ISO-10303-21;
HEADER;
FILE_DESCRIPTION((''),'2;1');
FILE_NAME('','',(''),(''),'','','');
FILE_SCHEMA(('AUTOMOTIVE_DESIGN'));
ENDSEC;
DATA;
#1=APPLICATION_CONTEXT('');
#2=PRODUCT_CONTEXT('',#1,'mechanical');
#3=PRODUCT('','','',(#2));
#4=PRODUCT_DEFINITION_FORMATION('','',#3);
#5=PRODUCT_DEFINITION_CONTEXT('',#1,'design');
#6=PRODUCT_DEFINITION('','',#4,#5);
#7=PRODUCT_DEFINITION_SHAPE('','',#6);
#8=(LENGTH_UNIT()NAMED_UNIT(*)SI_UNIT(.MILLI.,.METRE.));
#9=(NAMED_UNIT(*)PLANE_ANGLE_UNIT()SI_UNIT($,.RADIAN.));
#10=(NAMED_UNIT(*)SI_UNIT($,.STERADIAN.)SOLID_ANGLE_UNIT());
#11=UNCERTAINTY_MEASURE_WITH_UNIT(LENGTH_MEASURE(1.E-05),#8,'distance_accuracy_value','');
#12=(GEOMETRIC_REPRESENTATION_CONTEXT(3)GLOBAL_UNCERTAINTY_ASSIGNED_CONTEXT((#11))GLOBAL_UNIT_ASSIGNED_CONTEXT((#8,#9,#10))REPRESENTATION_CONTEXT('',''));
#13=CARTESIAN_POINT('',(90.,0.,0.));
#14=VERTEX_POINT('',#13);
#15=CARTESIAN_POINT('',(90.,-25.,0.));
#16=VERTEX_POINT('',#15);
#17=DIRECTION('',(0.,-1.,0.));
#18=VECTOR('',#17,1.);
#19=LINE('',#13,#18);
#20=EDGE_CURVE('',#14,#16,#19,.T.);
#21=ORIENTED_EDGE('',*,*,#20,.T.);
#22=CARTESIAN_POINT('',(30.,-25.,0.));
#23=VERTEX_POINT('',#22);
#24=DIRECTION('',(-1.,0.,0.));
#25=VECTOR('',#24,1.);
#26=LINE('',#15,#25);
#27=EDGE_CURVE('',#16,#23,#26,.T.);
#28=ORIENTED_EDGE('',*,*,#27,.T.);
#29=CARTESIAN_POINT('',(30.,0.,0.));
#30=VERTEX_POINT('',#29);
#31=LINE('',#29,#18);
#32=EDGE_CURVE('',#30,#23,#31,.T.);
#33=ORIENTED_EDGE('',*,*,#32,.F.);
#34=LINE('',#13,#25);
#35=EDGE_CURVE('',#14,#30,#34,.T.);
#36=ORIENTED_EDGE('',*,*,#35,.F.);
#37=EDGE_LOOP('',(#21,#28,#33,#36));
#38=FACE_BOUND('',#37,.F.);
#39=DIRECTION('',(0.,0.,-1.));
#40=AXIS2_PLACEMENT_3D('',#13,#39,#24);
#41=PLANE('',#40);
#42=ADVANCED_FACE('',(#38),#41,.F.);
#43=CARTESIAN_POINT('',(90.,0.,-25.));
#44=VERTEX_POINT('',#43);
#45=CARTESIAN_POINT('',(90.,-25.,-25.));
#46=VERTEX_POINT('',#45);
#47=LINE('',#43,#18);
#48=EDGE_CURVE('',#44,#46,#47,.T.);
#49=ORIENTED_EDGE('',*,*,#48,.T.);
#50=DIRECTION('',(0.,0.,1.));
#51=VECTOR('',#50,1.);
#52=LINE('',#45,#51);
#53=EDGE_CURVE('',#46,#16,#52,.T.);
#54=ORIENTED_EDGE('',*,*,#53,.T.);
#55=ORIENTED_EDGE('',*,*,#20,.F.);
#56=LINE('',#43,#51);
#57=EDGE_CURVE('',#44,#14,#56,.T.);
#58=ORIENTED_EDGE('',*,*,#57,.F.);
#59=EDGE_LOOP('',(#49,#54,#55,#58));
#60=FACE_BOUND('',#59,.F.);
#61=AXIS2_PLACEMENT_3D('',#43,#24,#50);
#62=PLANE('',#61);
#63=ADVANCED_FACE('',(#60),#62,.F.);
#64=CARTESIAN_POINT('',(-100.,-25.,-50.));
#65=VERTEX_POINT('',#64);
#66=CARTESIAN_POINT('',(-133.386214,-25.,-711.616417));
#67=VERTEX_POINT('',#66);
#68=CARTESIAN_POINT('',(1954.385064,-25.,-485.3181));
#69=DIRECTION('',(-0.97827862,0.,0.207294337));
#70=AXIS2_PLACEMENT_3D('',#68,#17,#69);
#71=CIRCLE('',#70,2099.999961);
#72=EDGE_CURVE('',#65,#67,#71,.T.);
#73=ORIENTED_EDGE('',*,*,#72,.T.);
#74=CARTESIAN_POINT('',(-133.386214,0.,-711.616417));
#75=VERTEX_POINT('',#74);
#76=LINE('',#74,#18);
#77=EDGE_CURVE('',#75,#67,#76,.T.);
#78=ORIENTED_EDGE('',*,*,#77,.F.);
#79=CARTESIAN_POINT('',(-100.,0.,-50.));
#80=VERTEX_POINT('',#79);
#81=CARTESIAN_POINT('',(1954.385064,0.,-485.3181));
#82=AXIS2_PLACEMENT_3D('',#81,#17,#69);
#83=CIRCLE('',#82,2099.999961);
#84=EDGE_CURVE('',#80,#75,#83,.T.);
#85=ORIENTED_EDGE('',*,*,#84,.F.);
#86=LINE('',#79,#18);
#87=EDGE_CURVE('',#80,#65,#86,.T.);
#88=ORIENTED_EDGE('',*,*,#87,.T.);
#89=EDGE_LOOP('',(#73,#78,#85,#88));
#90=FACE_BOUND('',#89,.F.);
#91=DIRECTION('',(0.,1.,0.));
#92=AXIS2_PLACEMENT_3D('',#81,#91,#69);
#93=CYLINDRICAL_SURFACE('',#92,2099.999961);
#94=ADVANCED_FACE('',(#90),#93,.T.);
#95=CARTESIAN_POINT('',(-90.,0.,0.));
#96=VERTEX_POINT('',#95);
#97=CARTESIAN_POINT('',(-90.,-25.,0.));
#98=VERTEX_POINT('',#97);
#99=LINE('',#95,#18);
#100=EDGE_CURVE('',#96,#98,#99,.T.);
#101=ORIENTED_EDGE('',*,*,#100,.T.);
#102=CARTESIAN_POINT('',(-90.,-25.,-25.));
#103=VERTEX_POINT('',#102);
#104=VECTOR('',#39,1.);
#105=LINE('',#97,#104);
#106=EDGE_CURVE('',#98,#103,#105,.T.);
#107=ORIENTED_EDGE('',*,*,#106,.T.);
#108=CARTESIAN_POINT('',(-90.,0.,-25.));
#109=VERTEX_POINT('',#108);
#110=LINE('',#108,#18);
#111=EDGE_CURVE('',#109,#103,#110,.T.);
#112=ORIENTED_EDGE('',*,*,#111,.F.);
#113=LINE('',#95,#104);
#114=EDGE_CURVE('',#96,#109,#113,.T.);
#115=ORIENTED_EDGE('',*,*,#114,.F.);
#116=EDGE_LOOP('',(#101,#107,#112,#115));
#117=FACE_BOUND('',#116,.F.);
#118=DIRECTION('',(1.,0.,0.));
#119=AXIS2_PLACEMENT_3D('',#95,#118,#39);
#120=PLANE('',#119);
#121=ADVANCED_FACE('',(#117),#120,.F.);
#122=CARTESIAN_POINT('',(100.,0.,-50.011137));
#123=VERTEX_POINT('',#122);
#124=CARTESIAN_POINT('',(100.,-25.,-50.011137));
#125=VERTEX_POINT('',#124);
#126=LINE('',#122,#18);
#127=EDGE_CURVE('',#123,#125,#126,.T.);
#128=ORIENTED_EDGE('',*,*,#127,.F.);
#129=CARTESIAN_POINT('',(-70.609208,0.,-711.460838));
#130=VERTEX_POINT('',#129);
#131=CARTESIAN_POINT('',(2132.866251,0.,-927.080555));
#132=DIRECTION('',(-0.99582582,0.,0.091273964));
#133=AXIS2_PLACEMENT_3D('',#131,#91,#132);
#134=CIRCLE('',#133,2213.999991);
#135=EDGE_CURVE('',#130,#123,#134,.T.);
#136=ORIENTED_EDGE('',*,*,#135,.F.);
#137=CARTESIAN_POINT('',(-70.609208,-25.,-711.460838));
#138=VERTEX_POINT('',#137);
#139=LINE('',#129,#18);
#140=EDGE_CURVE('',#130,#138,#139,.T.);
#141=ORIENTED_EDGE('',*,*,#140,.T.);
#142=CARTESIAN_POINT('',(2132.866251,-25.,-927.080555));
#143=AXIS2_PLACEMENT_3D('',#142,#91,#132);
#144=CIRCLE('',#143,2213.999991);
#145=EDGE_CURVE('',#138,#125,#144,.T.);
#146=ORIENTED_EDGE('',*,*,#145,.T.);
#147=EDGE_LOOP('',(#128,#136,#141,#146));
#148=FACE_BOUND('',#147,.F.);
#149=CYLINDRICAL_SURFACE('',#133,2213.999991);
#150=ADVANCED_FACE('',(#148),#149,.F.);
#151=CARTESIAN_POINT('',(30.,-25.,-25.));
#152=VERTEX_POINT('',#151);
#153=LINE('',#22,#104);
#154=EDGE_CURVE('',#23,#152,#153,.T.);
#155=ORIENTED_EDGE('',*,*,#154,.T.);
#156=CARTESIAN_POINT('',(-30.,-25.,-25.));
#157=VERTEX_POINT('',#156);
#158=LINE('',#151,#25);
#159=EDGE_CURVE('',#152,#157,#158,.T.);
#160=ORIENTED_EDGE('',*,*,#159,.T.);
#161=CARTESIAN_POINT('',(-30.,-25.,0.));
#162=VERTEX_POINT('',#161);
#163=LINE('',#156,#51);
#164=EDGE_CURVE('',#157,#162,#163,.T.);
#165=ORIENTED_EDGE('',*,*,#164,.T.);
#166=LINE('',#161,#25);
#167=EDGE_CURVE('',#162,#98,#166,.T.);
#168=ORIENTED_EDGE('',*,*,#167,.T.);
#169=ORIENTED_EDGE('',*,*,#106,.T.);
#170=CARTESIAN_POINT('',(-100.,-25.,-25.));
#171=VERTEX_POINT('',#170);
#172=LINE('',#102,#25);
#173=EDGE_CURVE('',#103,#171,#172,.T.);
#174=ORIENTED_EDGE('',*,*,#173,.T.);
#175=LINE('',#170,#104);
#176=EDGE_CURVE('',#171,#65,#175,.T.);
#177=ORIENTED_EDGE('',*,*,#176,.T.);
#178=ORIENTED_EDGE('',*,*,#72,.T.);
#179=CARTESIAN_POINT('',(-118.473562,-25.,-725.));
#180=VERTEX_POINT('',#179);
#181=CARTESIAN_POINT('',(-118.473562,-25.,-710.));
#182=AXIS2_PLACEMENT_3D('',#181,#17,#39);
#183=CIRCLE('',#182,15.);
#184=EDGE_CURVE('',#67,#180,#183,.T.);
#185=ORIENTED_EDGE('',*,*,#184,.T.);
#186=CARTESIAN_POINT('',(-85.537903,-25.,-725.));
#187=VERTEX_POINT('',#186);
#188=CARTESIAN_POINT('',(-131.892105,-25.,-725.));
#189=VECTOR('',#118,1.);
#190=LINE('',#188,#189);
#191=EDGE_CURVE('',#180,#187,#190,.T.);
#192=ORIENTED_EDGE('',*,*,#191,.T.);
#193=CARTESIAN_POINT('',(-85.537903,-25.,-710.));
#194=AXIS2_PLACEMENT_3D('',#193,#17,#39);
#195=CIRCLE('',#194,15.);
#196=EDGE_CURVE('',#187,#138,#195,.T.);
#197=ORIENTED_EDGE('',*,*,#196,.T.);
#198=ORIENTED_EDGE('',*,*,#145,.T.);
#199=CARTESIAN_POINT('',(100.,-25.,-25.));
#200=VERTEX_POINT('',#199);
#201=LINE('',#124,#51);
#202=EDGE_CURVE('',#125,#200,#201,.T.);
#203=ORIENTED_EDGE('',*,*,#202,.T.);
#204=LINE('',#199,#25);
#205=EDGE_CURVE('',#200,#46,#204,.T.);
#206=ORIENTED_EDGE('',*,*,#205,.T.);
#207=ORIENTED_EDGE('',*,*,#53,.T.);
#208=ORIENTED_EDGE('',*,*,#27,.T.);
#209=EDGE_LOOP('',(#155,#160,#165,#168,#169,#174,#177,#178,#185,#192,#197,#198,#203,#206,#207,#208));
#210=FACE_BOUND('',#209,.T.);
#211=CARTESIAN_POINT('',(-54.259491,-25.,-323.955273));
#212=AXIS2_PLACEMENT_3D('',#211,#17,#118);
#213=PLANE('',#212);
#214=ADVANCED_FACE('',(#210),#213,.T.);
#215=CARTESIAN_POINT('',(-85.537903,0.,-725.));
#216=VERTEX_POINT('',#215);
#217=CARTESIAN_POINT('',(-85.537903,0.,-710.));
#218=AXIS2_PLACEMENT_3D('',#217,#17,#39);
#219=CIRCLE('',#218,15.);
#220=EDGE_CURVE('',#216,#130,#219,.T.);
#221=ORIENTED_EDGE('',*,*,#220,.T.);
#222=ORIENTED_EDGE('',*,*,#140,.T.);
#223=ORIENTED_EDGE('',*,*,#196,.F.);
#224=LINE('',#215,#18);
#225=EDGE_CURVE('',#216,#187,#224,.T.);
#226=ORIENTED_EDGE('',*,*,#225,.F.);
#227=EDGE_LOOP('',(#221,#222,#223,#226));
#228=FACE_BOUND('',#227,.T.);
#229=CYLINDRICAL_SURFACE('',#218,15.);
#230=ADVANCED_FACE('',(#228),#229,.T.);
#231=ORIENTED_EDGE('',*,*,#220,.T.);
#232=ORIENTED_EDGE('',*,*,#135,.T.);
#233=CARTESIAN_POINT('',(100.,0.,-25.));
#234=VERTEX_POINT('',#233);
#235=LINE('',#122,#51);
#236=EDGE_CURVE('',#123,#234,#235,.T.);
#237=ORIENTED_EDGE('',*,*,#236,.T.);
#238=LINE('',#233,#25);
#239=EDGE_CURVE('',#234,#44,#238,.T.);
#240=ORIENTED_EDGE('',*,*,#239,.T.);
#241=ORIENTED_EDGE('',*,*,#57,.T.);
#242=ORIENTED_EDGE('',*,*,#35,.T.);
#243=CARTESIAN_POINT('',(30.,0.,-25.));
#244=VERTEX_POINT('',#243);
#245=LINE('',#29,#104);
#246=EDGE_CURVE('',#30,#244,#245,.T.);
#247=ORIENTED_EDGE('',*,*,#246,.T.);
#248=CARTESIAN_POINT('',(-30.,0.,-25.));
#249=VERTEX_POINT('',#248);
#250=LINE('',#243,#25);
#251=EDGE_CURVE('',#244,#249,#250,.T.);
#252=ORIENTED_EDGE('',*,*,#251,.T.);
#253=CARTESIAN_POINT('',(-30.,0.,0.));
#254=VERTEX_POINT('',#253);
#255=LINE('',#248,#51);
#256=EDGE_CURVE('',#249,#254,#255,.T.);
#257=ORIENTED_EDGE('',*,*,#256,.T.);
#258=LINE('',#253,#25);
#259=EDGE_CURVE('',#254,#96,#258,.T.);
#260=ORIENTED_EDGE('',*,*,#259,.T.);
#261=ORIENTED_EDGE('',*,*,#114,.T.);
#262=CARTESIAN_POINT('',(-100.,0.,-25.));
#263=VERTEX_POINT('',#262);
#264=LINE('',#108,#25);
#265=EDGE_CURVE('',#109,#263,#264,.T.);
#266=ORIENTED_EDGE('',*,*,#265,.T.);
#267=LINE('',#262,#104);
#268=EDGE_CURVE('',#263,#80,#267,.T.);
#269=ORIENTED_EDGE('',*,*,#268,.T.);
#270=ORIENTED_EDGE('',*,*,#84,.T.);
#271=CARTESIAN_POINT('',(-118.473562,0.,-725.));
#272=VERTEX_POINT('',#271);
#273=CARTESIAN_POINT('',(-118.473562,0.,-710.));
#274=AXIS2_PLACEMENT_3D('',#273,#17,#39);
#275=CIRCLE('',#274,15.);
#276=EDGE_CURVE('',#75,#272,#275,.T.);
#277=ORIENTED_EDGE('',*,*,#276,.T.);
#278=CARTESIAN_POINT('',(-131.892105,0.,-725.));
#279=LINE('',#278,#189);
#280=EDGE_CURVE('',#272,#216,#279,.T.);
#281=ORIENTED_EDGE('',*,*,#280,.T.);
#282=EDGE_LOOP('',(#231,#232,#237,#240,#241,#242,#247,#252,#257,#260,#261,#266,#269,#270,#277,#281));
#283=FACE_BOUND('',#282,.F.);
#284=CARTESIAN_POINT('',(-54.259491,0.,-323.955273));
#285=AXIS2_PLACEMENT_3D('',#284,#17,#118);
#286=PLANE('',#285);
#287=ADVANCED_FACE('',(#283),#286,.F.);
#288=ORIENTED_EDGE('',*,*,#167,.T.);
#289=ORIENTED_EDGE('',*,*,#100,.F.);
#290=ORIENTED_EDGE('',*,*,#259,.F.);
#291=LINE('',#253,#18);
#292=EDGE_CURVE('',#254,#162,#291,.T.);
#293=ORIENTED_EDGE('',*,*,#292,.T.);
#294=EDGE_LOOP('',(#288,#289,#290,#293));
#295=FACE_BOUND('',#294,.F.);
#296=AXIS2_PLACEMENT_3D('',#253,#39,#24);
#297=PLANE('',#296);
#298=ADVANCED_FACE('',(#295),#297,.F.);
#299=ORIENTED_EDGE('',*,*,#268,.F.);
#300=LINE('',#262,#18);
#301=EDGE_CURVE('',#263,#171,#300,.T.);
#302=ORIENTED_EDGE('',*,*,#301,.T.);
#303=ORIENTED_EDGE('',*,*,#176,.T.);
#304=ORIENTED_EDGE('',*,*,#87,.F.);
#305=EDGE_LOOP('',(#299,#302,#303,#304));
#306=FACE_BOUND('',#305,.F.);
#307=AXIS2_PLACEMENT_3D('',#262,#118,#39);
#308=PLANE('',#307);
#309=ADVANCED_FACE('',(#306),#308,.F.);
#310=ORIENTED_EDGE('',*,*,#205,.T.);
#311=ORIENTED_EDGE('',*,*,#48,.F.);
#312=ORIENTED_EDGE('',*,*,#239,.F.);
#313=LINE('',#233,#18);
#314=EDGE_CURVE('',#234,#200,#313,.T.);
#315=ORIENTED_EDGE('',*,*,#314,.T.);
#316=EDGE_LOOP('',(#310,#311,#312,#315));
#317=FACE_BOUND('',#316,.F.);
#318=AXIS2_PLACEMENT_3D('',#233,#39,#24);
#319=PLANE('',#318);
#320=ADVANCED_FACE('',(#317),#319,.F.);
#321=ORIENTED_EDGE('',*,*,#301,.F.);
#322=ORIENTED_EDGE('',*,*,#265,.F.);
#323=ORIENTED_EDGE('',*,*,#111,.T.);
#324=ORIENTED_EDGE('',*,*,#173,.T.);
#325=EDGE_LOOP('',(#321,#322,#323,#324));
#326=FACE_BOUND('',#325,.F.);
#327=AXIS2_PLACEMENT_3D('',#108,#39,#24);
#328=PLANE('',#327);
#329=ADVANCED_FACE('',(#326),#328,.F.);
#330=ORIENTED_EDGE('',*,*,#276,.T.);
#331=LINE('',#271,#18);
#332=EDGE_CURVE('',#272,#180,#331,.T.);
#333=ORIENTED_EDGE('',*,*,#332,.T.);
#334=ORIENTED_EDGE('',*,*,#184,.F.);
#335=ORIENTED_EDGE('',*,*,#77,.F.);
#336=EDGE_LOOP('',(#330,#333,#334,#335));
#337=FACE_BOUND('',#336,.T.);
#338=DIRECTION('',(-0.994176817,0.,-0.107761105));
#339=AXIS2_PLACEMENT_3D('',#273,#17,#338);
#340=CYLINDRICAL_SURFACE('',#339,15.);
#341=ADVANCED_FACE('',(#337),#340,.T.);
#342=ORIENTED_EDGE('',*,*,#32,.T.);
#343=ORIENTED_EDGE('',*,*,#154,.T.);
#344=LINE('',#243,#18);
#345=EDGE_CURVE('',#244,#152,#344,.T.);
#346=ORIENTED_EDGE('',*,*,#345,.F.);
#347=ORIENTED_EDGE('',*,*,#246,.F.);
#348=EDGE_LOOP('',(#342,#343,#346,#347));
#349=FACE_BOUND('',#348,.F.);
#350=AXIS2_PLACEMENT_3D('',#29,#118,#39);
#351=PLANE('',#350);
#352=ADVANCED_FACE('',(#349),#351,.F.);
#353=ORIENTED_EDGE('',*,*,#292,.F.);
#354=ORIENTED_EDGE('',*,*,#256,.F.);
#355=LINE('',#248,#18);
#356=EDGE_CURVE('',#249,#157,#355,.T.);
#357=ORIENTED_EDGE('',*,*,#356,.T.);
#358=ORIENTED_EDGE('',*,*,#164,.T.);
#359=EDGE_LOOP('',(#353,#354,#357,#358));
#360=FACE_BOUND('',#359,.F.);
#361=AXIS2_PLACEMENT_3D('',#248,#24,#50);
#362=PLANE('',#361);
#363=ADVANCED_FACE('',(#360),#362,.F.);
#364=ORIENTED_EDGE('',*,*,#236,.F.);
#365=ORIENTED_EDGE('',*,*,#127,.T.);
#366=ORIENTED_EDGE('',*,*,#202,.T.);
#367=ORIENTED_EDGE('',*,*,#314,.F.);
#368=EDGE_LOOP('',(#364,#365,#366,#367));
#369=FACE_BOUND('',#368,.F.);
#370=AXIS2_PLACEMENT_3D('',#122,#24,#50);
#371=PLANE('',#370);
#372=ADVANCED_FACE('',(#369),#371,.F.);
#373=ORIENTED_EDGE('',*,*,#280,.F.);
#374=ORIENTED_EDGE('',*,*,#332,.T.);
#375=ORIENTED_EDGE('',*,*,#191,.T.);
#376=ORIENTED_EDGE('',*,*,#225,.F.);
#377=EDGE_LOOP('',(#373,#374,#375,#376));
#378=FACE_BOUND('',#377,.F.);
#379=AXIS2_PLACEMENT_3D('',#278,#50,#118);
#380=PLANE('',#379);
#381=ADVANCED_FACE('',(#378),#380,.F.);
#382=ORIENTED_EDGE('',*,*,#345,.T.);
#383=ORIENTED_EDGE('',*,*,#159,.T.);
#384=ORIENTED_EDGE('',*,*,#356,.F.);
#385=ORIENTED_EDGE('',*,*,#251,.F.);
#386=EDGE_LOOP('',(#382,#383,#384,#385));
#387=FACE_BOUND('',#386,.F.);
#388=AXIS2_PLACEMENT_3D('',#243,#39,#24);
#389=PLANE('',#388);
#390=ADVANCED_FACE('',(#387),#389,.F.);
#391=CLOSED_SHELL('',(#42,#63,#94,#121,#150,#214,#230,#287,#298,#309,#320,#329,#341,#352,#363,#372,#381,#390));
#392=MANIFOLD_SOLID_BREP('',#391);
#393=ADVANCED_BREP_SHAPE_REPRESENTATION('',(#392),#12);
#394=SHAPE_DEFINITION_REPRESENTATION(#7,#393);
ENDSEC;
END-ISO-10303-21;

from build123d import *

# Parameters (mm, degrees)
F1_DEPTH = 25
F2_R     = 15


with BuildPart() as f1:
    # F0 (on Front) → F1 (new body)
    with BuildSketch(Plane.XZ):
        with BuildLine():
            Line((-30, -25), (-30, 0))
            Line((-30, 0), (-90, 0))
            Line((-90, 0), (-90, -25))
            Line((-90, -25), (-100, -25))
            Line((-100, -25), (-100, -50))
            ThreePointArc((-100, -50), (-143.274866, -386.20878), (-131.892105, -725))
            Line((-131.892105, -725), (-71.892105, -725))
            ThreePointArc((-71.892105, -725), (-12.656545, -380.703496), (100, -50.011137))
            Line((100, -50.011137), (100, -25))
            Line((100, -25), (90, -25))
            Line((90, -25), (90, 0))
            Line((90, 0), (30, 0))
            Line((30, 0), (30, -25))
            Line((30, -25), (-30, -25))
        make_face()
    extrude(amount=F1_DEPTH)

    # F2
    f2_edges = [f1.edges().sort_by_distance(p)[0] for p in [
        (-71.892105, -12.5, -725),
        (-131.892105, -12.5, -725),
    ]]
    fillet(f2_edges, radius=F2_R)


solid = f1.part
